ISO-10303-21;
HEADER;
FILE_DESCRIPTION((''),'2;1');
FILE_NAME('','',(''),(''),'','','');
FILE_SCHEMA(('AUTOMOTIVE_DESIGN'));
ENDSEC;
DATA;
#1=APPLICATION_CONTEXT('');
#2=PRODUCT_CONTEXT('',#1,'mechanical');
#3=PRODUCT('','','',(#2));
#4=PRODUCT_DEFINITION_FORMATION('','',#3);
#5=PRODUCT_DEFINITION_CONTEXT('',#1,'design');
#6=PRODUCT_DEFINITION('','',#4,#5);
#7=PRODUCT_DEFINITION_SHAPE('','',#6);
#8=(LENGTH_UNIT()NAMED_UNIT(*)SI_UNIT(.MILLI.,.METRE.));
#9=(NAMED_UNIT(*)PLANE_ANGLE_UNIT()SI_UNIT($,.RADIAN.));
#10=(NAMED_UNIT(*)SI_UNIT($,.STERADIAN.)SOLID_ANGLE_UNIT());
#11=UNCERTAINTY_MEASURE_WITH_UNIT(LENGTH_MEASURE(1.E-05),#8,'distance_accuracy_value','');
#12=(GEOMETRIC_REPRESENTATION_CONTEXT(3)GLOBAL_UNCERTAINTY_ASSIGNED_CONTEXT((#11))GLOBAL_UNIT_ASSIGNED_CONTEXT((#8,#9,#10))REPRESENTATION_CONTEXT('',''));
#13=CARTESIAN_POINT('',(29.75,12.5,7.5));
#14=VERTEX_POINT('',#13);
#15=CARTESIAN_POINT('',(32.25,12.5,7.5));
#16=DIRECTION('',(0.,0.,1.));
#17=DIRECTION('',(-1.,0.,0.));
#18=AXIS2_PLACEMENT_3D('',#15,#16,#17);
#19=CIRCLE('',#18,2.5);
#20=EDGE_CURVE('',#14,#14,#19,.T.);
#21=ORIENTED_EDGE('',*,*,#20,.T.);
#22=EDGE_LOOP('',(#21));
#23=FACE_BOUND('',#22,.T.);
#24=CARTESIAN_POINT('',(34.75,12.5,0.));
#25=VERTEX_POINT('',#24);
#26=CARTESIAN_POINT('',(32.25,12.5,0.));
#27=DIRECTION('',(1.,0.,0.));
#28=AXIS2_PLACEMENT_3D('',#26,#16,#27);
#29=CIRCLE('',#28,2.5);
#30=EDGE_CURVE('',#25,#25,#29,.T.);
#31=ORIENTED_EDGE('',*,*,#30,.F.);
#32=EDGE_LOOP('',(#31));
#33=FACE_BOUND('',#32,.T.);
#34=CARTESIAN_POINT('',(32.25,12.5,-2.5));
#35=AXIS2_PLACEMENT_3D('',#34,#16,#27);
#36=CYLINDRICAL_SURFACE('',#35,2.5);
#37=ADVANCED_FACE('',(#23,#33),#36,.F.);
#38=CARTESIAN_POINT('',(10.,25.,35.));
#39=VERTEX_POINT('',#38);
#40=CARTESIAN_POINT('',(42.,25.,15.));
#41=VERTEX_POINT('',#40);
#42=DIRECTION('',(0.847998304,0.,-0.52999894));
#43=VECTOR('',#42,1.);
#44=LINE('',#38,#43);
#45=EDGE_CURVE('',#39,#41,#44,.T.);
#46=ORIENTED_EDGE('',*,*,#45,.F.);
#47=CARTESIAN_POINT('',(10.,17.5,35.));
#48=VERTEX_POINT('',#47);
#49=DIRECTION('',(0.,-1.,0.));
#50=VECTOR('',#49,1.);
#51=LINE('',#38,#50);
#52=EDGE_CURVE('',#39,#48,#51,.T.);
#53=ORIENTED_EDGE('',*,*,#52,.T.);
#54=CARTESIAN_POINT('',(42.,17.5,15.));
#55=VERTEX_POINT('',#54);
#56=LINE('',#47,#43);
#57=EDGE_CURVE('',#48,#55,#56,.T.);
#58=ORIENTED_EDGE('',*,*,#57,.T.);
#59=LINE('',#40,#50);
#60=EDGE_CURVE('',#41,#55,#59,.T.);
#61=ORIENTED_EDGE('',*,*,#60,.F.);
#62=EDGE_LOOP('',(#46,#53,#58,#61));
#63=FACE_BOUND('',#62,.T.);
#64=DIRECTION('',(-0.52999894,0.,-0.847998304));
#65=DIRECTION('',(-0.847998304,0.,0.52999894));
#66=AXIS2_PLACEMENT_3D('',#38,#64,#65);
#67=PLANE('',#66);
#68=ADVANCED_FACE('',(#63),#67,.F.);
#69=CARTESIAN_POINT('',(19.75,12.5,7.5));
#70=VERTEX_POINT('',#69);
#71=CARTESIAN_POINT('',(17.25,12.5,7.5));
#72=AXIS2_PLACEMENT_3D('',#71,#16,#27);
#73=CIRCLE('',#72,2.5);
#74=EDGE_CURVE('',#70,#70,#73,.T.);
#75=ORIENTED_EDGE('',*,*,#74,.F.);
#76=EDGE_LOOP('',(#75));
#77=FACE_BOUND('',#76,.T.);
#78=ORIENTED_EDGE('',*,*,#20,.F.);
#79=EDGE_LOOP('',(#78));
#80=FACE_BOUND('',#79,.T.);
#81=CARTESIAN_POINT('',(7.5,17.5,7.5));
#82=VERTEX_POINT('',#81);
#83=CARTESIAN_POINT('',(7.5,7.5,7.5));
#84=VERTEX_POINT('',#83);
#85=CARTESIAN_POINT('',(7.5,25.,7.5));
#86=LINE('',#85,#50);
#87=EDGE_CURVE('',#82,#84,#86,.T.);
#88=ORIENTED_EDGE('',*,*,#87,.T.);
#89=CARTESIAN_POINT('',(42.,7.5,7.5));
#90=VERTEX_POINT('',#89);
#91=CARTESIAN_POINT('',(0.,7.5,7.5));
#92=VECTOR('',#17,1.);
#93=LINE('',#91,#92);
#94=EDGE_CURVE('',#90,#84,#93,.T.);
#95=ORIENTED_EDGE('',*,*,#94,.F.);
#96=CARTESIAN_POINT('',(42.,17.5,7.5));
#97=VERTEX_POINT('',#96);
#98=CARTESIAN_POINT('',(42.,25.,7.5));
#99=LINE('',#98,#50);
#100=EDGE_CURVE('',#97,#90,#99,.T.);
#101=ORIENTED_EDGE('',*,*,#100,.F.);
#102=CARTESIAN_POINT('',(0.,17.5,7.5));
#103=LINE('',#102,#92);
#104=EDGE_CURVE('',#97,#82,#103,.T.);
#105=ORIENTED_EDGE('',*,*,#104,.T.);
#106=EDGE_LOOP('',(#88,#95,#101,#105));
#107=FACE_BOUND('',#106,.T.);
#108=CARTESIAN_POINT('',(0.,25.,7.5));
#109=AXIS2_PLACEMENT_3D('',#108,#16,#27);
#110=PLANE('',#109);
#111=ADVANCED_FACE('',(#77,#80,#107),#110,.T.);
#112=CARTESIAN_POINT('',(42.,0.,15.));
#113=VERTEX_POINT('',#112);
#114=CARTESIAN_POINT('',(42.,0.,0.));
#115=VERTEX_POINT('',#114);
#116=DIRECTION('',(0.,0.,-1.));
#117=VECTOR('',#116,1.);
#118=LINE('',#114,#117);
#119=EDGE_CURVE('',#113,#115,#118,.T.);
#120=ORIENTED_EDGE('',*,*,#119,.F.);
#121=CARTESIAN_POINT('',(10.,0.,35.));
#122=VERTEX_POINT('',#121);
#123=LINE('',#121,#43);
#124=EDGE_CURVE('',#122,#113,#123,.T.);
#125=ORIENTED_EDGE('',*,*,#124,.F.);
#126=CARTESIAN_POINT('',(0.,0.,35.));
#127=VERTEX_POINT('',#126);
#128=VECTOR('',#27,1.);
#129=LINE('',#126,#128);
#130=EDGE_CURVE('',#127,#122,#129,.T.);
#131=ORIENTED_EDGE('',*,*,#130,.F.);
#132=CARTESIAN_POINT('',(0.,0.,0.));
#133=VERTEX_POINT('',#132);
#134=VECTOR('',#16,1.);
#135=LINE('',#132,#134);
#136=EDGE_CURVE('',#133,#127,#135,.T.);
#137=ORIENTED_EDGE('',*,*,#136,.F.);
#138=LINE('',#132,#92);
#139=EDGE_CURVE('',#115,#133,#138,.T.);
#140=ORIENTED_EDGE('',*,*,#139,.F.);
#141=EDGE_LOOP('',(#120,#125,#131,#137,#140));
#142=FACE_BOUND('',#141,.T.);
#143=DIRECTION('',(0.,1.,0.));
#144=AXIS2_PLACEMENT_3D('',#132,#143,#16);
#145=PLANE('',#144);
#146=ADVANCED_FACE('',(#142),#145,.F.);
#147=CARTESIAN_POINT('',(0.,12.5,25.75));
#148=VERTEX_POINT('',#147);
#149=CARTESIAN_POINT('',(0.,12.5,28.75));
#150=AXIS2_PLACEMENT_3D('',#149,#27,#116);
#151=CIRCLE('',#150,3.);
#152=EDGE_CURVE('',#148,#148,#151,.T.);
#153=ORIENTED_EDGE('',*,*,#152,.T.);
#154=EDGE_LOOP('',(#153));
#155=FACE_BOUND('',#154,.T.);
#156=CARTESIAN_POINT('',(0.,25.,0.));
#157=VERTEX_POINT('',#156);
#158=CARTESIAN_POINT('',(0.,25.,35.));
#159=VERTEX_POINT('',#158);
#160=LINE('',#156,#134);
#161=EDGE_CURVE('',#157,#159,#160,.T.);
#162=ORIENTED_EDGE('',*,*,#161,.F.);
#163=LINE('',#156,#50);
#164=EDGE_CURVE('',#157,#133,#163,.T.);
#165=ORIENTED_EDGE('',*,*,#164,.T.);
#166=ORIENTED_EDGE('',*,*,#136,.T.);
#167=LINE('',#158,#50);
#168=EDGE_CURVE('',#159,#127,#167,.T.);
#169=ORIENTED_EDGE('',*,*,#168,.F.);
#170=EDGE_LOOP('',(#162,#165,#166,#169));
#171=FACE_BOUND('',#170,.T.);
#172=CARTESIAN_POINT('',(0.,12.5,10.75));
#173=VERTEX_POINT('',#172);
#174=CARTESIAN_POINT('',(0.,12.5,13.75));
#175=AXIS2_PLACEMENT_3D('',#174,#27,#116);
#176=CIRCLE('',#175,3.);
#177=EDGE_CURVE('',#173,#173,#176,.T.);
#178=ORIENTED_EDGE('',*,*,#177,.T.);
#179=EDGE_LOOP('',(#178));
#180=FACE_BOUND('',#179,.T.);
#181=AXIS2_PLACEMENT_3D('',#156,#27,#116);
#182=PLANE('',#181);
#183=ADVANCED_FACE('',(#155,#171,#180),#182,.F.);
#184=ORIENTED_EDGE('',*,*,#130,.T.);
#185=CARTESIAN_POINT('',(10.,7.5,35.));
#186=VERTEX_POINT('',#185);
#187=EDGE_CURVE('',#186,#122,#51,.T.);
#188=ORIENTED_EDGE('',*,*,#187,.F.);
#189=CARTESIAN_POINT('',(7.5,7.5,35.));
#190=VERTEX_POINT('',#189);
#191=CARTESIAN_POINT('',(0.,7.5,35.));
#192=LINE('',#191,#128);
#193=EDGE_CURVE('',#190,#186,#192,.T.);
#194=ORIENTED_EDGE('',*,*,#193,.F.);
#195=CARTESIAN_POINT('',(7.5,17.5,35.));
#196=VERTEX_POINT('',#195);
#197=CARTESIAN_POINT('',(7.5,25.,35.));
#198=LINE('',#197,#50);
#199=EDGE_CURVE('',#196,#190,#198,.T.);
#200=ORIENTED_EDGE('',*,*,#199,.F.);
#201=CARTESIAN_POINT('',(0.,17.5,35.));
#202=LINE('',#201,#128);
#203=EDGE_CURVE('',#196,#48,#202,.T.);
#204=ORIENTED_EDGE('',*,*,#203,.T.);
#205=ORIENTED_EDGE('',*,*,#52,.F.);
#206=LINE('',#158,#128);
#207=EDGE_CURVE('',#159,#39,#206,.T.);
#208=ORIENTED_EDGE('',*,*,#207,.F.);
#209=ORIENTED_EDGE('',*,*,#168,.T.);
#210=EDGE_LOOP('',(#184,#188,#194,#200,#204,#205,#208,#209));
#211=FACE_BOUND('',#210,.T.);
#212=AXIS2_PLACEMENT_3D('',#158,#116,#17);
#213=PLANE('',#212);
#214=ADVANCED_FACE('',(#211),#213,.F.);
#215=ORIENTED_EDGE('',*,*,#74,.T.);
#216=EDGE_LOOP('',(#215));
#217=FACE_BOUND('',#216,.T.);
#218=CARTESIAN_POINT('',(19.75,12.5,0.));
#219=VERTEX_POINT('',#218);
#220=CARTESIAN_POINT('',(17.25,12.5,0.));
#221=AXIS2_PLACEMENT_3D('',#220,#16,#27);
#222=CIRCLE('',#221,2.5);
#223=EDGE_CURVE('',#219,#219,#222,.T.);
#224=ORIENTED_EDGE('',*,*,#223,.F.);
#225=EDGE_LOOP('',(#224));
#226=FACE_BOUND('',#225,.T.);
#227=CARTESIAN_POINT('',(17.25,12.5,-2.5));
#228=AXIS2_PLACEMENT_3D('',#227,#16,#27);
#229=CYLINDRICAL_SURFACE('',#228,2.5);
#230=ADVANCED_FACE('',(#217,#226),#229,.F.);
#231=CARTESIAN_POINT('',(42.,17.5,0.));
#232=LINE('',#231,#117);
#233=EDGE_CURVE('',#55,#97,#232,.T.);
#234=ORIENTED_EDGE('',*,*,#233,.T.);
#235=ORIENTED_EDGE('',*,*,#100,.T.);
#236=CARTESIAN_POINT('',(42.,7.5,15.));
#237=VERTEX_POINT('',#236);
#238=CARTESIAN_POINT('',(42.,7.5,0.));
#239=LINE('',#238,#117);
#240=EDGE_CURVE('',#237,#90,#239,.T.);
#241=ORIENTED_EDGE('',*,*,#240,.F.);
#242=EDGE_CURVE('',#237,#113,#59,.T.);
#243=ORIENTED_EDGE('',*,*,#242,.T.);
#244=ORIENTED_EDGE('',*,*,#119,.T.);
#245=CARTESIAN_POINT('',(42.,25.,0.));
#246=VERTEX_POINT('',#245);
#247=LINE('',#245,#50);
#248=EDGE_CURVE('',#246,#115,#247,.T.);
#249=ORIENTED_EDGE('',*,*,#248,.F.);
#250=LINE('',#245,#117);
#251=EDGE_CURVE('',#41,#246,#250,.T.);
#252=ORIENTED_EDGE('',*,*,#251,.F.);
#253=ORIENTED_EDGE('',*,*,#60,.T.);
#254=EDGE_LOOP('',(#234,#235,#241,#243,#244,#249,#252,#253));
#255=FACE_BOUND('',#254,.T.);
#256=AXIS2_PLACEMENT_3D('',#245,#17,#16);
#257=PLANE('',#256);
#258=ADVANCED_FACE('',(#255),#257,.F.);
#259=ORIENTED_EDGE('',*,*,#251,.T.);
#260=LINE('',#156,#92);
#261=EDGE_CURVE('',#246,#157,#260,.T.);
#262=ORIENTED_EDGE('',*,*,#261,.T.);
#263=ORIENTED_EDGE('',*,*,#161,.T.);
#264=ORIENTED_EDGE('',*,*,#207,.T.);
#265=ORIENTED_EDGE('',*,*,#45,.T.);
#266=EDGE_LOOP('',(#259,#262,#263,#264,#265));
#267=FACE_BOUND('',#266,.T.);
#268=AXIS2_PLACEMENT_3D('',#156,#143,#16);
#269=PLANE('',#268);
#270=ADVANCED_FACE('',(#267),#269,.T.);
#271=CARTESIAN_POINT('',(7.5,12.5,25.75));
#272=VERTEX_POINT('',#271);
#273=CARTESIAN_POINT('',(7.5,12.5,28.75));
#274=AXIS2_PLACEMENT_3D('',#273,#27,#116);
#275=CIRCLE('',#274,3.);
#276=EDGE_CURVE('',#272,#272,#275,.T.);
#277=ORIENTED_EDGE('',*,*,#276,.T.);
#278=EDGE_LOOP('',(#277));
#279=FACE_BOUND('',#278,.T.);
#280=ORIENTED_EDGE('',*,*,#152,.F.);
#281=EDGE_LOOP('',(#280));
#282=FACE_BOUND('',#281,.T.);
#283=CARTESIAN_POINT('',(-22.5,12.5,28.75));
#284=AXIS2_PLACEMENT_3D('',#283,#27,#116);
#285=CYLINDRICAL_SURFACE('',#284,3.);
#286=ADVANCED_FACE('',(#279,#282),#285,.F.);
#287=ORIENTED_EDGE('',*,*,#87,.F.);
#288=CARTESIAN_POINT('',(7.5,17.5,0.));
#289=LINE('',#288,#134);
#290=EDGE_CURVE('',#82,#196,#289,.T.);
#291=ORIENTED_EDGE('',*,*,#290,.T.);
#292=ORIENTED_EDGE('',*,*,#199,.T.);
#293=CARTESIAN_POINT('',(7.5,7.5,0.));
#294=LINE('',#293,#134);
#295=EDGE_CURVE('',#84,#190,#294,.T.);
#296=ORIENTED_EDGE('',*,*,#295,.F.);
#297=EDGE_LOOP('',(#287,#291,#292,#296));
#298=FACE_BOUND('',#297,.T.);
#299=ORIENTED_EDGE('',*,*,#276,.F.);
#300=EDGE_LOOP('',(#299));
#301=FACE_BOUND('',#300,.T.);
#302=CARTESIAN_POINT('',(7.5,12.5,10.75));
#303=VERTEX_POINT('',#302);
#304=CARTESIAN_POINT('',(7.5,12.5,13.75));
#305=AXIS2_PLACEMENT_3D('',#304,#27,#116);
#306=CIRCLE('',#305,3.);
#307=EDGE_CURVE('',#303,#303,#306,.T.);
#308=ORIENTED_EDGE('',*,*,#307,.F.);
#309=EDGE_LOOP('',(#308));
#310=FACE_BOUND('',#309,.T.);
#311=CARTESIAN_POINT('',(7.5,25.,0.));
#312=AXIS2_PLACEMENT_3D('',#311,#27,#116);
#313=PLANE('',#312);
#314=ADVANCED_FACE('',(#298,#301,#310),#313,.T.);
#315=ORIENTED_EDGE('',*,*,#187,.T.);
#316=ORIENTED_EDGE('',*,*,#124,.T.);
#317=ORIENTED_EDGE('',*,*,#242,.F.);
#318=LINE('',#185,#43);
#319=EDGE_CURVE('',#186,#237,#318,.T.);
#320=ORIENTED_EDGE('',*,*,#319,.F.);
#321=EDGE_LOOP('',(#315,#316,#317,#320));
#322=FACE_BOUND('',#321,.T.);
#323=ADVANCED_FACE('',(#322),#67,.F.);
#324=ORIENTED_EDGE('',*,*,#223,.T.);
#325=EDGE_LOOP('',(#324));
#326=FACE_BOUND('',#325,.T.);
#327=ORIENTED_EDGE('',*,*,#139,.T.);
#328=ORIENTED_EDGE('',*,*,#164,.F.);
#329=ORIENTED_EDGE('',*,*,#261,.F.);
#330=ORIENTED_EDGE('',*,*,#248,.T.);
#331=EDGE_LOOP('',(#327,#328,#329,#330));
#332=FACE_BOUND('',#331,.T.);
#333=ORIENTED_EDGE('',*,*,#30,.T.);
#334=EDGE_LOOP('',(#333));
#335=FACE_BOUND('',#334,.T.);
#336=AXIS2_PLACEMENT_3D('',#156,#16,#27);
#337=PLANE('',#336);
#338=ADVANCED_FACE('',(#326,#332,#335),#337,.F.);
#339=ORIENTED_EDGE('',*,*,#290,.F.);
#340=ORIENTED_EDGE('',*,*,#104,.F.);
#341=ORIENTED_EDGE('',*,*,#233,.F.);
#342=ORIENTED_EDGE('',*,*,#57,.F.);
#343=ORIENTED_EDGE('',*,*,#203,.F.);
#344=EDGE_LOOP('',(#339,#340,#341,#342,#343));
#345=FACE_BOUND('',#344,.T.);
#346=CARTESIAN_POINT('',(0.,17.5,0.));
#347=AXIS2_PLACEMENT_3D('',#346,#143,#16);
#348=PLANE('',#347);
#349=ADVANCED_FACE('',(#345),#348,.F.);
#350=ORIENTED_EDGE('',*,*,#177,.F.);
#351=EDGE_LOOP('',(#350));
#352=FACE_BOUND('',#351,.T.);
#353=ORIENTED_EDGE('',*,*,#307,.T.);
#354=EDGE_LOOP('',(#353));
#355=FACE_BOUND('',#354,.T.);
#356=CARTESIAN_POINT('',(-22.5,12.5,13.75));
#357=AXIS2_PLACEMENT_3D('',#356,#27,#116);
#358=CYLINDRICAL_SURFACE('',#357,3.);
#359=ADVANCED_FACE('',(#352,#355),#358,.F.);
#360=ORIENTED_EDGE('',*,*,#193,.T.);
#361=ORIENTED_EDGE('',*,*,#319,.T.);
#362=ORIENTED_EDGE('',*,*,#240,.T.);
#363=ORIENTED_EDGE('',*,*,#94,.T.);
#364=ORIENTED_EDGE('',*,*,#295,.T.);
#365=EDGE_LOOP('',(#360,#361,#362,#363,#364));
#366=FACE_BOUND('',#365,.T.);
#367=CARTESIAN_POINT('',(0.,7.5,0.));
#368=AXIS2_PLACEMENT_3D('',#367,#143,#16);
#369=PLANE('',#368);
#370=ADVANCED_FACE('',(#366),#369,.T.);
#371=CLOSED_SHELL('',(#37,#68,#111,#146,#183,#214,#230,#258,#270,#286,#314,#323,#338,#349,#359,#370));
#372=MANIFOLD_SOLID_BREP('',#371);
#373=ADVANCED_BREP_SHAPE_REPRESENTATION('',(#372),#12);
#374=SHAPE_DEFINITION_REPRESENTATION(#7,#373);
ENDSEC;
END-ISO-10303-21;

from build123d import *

# Parameters (mm, degrees)
BOSS_EXTRUDE1_DEPTH = 25
SHELL1_T            = -7.5
SKETCH3_R           = 3
CUT_EXTRUDE1_DEPTH  = 30
SKETCH4_R           = 2.5
CUT_EXTRUDE2_DEPTH  = 10


with BuildPart() as part:
    # Sketch2 → Boss-Extrude1 (new body)
    with BuildSketch(Plane(origin=(0, 0, 0), x_dir=(1, 0, 0), z_dir=(0, 1, 0))):
        Polygon((10, -35), (42, -15), (42, 0), (0, 0), (0, -35), align=None)
    extrude(amount=BOSS_EXTRUDE1_DEPTH)

    # Shell1
    shell1_openings = [part.faces().sort_by_distance(p)[0] for p in [
        (42, 12.5, 7.5),
        (26, 12.5, 25),
        (5, 12.5, 35),
    ]]
    offset(amount=SHELL1_T, openings=shell1_openings, kind=Kind.INTERSECTION)

    # Sketch3 → Cut-Extrude1 (cut)
    with BuildSketch(Plane(origin=(7.5, 0, 0), x_dir=(0, 0, -1), z_dir=(1, 0, 0))):
        with Locations((-28.75, 12.5)):
            Circle(SKETCH3_R)
        with Locations((-13.75, 12.5)):
            Circle(SKETCH3_R)
    extrude(amount=-CUT_EXTRUDE1_DEPTH, mode=Mode.SUBTRACT)

    # Sketch4 → Cut-Extrude2 (cut)
    with BuildSketch(Plane.XY.offset(7.5)):
        with Locations((17.25, 12.5)):
            Circle(SKETCH4_R)
        with Locations((32.25, 12.5)):
            Circle(SKETCH4_R)
    extrude(amount=-CUT_EXTRUDE2_DEPTH, mode=Mode.SUBTRACT)


solid = part.part
